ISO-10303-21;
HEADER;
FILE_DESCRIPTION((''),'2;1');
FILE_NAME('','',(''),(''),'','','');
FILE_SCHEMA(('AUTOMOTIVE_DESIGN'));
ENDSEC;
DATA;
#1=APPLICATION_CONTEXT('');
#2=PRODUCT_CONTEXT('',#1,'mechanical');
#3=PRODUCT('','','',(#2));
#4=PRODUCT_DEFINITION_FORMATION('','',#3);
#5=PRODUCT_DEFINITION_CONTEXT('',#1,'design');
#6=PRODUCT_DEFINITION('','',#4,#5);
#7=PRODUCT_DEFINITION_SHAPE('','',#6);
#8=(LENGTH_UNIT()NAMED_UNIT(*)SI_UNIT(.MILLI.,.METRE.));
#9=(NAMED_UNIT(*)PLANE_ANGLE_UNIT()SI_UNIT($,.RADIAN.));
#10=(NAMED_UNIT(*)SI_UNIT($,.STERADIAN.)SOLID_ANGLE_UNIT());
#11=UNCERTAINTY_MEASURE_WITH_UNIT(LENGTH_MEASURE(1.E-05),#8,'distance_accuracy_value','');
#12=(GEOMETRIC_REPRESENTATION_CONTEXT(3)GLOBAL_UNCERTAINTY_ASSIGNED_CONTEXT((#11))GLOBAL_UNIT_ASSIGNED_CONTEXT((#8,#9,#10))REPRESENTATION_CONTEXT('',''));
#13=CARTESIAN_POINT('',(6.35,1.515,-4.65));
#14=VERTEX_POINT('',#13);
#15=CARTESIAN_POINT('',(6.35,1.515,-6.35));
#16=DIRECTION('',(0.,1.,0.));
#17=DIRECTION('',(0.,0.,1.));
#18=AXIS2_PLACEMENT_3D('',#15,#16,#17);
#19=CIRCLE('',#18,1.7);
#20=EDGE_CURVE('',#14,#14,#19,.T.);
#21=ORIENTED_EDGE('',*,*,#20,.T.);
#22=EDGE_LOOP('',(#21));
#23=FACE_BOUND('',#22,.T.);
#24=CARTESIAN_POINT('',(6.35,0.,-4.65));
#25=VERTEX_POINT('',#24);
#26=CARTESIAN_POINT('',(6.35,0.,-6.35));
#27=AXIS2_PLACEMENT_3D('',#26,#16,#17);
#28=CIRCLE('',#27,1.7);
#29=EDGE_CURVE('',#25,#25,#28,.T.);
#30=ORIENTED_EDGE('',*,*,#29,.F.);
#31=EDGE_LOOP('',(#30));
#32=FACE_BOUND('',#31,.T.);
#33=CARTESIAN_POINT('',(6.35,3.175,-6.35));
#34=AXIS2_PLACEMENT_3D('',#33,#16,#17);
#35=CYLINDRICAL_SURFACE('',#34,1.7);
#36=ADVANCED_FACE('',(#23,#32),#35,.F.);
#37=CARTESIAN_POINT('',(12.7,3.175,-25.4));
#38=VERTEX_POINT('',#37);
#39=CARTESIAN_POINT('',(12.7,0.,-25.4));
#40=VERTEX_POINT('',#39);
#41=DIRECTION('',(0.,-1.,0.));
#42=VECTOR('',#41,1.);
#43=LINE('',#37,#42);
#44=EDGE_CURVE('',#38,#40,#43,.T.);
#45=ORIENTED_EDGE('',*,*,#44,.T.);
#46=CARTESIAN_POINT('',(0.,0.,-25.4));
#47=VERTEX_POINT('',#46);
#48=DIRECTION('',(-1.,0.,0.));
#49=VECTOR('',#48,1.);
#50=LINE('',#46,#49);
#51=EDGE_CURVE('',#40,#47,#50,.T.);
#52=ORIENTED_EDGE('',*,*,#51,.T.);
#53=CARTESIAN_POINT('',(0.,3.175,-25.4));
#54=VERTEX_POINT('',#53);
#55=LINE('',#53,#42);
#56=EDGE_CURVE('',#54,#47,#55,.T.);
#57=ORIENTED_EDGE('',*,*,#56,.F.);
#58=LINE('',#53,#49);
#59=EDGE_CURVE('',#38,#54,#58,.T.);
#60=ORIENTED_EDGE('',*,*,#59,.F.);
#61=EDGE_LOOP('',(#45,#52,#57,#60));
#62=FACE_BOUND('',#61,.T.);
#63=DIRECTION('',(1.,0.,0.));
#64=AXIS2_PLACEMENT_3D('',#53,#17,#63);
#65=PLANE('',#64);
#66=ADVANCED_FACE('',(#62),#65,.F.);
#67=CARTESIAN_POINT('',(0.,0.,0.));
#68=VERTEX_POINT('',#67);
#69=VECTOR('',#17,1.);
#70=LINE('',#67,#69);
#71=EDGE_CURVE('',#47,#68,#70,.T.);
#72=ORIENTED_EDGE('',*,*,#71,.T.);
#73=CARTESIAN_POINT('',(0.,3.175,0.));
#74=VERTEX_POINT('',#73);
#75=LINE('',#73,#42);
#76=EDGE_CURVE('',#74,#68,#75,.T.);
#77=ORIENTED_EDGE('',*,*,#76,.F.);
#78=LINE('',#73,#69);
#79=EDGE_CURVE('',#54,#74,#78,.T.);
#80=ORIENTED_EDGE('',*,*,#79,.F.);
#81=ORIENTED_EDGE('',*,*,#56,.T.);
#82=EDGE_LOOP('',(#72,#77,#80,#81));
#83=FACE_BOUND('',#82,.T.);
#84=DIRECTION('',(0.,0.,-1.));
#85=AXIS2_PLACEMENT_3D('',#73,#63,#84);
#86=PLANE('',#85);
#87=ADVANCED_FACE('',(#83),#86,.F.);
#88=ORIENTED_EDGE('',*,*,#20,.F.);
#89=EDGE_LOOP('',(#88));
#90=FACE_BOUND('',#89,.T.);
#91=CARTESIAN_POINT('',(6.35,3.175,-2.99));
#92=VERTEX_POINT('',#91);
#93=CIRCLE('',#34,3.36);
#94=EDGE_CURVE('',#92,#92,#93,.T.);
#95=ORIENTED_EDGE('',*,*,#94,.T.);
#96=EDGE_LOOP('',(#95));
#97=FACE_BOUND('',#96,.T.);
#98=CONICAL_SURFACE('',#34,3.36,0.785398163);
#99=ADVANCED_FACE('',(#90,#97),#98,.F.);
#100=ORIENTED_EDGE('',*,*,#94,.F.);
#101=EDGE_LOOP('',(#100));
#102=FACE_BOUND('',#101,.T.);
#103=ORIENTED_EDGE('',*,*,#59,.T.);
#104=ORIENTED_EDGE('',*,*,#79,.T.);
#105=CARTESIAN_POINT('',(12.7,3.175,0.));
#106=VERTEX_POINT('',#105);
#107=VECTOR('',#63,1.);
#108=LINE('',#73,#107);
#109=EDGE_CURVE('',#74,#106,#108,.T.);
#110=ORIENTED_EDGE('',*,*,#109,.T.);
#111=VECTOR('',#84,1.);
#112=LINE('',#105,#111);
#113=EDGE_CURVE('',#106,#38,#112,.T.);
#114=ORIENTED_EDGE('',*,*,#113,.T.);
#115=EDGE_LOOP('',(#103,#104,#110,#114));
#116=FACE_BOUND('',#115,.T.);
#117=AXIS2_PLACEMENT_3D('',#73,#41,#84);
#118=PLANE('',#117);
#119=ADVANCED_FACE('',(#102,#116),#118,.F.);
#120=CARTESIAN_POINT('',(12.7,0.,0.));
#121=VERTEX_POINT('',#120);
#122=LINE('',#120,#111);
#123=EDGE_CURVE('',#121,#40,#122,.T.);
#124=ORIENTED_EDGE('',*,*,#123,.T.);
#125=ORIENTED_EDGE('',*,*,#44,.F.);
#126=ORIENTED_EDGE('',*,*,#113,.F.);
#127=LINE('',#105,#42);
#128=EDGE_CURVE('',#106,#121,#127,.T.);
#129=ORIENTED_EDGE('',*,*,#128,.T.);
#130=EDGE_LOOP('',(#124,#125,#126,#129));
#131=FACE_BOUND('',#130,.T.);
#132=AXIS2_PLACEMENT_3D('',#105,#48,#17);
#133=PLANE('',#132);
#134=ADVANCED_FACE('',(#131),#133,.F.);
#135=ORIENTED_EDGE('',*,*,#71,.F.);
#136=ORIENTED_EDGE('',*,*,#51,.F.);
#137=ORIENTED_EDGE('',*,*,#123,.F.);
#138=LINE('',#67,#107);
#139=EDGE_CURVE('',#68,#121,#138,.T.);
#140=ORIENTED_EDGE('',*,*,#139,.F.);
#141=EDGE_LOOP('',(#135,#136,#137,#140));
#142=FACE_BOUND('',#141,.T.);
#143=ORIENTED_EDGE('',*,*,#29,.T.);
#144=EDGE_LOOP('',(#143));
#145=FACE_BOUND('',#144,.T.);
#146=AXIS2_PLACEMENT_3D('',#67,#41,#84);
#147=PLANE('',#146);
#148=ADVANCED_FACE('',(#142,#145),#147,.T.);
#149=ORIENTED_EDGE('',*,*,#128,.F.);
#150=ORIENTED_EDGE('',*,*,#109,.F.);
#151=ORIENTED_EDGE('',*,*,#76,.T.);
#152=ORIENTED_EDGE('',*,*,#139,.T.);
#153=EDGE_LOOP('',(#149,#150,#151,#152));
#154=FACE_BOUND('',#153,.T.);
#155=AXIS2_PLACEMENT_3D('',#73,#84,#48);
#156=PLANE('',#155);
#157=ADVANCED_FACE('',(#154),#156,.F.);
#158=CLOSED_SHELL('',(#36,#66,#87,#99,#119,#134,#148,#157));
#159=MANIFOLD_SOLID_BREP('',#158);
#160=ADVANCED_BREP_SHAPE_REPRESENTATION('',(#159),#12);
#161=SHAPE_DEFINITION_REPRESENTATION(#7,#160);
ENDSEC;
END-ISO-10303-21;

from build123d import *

# Parameters (mm, degrees)
SKETCH9_W           = 12.7
SKETCH9_H           = 25.4
BOSS_EXTRUDE1_DEPTH = 3.175


with BuildPart() as part:
    # Sketch9 → Boss-Extrude1 (new body)
    with BuildSketch(Plane(origin=(0, 0, 0), x_dir=(1, 0, 0), z_dir=(0, 1, 0))):
        with Locations((6.35, 12.7)):
            Rectangle(SKETCH9_W, SKETCH9_H)
    extrude(amount=BOSS_EXTRUDE1_DEPTH)

    # Sketch10 → CSK for M3 SFHCS2 (revolve, cut)
    with BuildSketch(Plane(origin=(6.35, 3.175, -6.35), x_dir=(0, 0, 1), z_dir=(1, 0, 0))):
        Polygon((0, 0), (0, 3.175), (1.7, 3.175), (1.7, 1.66), (3.36, 0), align=None)
    revolve(axis=Axis((6.35, 9.525, -6.35), (0, -1, 0)), mode=Mode.SUBTRACT)


solid = part.part
